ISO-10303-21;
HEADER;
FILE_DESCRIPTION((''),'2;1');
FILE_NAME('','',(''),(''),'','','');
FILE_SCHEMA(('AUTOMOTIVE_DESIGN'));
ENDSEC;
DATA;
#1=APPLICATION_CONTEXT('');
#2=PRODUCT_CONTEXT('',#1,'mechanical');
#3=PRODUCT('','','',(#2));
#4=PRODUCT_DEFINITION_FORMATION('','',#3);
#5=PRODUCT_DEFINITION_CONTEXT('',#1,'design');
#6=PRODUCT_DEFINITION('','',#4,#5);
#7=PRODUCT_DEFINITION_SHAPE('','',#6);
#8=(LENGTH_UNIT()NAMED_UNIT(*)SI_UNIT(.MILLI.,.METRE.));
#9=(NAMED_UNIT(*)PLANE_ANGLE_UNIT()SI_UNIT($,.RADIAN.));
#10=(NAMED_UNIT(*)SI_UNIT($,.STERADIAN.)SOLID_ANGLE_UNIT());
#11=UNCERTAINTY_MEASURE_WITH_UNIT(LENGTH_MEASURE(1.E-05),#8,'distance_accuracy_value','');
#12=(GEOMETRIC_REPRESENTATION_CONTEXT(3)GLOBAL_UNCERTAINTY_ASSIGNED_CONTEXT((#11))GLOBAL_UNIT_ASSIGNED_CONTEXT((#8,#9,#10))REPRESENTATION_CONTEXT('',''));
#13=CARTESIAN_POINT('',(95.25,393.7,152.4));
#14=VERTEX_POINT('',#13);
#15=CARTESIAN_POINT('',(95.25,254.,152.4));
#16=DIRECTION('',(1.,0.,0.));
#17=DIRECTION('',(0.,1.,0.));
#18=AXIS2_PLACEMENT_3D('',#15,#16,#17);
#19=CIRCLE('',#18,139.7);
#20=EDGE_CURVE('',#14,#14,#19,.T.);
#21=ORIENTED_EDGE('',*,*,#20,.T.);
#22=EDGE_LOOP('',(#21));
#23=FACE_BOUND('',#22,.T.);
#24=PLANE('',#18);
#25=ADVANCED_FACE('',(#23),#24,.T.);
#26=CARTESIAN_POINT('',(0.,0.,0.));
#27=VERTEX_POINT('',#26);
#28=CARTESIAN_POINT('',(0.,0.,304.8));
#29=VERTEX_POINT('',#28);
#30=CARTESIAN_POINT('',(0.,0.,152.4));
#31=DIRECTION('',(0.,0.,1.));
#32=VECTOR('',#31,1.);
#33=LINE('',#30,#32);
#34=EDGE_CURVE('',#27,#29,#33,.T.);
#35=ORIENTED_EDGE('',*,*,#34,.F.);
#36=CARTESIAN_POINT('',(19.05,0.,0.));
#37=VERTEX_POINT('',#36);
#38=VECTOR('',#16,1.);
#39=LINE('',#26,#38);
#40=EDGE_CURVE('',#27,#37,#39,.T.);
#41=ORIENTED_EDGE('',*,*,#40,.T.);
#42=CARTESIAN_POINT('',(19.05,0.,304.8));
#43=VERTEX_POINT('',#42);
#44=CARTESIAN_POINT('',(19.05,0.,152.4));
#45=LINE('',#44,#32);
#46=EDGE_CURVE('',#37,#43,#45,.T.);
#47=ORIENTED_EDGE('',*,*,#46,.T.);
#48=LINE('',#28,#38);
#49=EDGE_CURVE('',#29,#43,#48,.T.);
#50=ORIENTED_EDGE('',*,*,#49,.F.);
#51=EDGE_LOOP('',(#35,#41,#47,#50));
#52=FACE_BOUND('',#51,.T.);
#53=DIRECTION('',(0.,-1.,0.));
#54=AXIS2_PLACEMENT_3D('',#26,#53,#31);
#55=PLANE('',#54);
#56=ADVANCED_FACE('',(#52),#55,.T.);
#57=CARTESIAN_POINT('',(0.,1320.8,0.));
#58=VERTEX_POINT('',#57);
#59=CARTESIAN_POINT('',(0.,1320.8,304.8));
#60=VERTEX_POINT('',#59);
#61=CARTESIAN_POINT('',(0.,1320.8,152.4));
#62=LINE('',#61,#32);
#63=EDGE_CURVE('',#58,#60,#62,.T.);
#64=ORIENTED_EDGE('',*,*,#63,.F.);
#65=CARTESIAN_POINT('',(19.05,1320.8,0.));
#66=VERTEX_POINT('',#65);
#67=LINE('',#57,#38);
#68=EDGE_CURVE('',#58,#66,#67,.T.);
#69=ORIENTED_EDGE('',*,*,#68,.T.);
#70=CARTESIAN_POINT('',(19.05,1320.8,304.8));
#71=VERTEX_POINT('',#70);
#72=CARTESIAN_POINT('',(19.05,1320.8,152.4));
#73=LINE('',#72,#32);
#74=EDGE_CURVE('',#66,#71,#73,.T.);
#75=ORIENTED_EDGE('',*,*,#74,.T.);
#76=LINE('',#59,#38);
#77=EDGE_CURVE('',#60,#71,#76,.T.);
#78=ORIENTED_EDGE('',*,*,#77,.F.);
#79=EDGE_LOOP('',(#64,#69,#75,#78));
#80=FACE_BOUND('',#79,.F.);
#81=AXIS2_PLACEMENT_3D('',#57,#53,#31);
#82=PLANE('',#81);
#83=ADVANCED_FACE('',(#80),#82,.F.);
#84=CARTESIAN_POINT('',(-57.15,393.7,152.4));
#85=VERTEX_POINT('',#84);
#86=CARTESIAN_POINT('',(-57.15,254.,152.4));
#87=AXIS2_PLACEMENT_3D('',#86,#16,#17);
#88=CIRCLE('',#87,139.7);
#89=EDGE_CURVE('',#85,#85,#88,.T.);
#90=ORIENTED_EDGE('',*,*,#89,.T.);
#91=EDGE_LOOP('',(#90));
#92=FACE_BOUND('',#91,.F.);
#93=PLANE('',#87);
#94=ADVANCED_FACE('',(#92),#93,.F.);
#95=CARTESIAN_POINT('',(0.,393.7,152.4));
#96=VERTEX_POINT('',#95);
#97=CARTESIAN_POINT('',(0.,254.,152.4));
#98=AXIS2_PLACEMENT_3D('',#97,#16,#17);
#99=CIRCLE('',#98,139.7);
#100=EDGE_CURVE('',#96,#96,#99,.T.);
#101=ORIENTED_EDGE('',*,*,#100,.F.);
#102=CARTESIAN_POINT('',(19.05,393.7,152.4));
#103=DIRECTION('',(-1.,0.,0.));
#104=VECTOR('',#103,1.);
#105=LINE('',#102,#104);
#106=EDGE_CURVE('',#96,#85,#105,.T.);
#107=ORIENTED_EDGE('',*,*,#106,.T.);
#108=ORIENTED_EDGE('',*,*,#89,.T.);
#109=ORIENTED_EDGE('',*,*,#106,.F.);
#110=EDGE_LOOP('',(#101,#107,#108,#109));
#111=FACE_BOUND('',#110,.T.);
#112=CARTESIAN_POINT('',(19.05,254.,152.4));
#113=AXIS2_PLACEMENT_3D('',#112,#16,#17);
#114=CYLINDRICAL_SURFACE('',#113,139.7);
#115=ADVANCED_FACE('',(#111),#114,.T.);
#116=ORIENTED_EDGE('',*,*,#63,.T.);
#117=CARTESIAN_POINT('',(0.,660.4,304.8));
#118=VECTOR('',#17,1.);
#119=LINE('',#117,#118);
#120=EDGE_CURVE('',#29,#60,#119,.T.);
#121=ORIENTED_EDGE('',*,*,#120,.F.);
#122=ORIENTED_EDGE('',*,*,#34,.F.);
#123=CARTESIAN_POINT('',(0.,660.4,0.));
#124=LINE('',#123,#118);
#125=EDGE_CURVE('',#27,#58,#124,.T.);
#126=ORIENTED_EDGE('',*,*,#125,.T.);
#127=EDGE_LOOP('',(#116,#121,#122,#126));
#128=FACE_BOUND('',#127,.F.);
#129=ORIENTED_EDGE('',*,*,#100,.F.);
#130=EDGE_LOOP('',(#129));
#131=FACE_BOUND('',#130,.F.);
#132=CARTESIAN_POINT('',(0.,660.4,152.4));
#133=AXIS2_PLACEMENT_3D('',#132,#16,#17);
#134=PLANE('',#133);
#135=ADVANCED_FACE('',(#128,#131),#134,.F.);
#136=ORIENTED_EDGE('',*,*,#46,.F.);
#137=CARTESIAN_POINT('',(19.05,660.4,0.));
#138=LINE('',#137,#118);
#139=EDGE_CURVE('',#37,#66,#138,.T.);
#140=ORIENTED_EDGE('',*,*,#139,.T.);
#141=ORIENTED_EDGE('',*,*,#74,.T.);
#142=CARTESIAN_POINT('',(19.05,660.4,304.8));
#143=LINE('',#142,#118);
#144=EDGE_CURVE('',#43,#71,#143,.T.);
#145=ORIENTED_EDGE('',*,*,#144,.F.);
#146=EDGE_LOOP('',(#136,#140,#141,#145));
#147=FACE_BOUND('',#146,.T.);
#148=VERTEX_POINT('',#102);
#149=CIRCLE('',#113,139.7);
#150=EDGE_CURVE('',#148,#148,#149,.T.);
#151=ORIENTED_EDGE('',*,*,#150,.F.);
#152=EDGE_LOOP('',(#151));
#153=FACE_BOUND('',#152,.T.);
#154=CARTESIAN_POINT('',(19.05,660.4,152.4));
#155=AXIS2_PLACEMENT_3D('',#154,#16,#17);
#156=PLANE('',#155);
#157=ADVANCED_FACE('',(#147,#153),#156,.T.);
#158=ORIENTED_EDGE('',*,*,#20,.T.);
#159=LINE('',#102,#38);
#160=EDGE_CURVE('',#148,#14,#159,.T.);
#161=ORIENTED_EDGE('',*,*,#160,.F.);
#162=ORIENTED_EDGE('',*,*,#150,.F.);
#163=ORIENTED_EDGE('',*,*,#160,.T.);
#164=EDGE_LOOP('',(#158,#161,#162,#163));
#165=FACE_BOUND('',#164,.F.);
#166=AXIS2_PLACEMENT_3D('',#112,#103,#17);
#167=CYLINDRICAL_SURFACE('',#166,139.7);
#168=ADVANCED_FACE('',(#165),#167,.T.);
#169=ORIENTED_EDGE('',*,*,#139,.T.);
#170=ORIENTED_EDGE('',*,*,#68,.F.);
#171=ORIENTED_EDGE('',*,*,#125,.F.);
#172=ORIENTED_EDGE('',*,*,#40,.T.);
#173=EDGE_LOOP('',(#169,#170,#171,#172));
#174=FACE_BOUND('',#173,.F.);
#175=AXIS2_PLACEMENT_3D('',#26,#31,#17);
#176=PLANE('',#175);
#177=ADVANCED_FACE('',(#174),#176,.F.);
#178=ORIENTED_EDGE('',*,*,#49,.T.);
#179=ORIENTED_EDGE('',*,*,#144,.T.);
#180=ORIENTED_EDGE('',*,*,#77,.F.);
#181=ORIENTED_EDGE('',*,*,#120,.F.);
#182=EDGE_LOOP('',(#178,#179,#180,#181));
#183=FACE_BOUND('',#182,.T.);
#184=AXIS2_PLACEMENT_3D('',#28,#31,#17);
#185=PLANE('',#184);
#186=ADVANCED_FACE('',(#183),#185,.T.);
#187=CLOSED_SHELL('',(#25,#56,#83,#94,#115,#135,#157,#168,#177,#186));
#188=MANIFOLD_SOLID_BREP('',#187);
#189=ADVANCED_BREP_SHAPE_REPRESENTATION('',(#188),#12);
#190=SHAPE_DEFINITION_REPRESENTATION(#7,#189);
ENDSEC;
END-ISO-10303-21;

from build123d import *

# Parameters (mm, degrees)
F0_W          = 1320.8
F0_H          = 304.8
F1_DEPTH      = 19.05
F2_R          = 139.7
F3_DEPTH      = 76.2
F3_DEPTH_BACK = 76.2


with BuildPart() as f1:
    # F0 (on Right) → F1 (new body)
    with BuildSketch(Plane.YZ):
        with Locations((660.4, 152.4)):
            Rectangle(F0_W, F0_H)
    extrude(amount=F1_DEPTH)

    # F2 (on face) → F3 (join, two sides)
    with BuildSketch(Plane.YZ.offset(19.05)) as f3_sk:
        with Locations((254, 152.4)):
            Circle(F2_R)
    extrude(amount=F3_DEPTH)
    extrude(f3_sk.sketch, amount=-F3_DEPTH_BACK)


solid = f1.part
